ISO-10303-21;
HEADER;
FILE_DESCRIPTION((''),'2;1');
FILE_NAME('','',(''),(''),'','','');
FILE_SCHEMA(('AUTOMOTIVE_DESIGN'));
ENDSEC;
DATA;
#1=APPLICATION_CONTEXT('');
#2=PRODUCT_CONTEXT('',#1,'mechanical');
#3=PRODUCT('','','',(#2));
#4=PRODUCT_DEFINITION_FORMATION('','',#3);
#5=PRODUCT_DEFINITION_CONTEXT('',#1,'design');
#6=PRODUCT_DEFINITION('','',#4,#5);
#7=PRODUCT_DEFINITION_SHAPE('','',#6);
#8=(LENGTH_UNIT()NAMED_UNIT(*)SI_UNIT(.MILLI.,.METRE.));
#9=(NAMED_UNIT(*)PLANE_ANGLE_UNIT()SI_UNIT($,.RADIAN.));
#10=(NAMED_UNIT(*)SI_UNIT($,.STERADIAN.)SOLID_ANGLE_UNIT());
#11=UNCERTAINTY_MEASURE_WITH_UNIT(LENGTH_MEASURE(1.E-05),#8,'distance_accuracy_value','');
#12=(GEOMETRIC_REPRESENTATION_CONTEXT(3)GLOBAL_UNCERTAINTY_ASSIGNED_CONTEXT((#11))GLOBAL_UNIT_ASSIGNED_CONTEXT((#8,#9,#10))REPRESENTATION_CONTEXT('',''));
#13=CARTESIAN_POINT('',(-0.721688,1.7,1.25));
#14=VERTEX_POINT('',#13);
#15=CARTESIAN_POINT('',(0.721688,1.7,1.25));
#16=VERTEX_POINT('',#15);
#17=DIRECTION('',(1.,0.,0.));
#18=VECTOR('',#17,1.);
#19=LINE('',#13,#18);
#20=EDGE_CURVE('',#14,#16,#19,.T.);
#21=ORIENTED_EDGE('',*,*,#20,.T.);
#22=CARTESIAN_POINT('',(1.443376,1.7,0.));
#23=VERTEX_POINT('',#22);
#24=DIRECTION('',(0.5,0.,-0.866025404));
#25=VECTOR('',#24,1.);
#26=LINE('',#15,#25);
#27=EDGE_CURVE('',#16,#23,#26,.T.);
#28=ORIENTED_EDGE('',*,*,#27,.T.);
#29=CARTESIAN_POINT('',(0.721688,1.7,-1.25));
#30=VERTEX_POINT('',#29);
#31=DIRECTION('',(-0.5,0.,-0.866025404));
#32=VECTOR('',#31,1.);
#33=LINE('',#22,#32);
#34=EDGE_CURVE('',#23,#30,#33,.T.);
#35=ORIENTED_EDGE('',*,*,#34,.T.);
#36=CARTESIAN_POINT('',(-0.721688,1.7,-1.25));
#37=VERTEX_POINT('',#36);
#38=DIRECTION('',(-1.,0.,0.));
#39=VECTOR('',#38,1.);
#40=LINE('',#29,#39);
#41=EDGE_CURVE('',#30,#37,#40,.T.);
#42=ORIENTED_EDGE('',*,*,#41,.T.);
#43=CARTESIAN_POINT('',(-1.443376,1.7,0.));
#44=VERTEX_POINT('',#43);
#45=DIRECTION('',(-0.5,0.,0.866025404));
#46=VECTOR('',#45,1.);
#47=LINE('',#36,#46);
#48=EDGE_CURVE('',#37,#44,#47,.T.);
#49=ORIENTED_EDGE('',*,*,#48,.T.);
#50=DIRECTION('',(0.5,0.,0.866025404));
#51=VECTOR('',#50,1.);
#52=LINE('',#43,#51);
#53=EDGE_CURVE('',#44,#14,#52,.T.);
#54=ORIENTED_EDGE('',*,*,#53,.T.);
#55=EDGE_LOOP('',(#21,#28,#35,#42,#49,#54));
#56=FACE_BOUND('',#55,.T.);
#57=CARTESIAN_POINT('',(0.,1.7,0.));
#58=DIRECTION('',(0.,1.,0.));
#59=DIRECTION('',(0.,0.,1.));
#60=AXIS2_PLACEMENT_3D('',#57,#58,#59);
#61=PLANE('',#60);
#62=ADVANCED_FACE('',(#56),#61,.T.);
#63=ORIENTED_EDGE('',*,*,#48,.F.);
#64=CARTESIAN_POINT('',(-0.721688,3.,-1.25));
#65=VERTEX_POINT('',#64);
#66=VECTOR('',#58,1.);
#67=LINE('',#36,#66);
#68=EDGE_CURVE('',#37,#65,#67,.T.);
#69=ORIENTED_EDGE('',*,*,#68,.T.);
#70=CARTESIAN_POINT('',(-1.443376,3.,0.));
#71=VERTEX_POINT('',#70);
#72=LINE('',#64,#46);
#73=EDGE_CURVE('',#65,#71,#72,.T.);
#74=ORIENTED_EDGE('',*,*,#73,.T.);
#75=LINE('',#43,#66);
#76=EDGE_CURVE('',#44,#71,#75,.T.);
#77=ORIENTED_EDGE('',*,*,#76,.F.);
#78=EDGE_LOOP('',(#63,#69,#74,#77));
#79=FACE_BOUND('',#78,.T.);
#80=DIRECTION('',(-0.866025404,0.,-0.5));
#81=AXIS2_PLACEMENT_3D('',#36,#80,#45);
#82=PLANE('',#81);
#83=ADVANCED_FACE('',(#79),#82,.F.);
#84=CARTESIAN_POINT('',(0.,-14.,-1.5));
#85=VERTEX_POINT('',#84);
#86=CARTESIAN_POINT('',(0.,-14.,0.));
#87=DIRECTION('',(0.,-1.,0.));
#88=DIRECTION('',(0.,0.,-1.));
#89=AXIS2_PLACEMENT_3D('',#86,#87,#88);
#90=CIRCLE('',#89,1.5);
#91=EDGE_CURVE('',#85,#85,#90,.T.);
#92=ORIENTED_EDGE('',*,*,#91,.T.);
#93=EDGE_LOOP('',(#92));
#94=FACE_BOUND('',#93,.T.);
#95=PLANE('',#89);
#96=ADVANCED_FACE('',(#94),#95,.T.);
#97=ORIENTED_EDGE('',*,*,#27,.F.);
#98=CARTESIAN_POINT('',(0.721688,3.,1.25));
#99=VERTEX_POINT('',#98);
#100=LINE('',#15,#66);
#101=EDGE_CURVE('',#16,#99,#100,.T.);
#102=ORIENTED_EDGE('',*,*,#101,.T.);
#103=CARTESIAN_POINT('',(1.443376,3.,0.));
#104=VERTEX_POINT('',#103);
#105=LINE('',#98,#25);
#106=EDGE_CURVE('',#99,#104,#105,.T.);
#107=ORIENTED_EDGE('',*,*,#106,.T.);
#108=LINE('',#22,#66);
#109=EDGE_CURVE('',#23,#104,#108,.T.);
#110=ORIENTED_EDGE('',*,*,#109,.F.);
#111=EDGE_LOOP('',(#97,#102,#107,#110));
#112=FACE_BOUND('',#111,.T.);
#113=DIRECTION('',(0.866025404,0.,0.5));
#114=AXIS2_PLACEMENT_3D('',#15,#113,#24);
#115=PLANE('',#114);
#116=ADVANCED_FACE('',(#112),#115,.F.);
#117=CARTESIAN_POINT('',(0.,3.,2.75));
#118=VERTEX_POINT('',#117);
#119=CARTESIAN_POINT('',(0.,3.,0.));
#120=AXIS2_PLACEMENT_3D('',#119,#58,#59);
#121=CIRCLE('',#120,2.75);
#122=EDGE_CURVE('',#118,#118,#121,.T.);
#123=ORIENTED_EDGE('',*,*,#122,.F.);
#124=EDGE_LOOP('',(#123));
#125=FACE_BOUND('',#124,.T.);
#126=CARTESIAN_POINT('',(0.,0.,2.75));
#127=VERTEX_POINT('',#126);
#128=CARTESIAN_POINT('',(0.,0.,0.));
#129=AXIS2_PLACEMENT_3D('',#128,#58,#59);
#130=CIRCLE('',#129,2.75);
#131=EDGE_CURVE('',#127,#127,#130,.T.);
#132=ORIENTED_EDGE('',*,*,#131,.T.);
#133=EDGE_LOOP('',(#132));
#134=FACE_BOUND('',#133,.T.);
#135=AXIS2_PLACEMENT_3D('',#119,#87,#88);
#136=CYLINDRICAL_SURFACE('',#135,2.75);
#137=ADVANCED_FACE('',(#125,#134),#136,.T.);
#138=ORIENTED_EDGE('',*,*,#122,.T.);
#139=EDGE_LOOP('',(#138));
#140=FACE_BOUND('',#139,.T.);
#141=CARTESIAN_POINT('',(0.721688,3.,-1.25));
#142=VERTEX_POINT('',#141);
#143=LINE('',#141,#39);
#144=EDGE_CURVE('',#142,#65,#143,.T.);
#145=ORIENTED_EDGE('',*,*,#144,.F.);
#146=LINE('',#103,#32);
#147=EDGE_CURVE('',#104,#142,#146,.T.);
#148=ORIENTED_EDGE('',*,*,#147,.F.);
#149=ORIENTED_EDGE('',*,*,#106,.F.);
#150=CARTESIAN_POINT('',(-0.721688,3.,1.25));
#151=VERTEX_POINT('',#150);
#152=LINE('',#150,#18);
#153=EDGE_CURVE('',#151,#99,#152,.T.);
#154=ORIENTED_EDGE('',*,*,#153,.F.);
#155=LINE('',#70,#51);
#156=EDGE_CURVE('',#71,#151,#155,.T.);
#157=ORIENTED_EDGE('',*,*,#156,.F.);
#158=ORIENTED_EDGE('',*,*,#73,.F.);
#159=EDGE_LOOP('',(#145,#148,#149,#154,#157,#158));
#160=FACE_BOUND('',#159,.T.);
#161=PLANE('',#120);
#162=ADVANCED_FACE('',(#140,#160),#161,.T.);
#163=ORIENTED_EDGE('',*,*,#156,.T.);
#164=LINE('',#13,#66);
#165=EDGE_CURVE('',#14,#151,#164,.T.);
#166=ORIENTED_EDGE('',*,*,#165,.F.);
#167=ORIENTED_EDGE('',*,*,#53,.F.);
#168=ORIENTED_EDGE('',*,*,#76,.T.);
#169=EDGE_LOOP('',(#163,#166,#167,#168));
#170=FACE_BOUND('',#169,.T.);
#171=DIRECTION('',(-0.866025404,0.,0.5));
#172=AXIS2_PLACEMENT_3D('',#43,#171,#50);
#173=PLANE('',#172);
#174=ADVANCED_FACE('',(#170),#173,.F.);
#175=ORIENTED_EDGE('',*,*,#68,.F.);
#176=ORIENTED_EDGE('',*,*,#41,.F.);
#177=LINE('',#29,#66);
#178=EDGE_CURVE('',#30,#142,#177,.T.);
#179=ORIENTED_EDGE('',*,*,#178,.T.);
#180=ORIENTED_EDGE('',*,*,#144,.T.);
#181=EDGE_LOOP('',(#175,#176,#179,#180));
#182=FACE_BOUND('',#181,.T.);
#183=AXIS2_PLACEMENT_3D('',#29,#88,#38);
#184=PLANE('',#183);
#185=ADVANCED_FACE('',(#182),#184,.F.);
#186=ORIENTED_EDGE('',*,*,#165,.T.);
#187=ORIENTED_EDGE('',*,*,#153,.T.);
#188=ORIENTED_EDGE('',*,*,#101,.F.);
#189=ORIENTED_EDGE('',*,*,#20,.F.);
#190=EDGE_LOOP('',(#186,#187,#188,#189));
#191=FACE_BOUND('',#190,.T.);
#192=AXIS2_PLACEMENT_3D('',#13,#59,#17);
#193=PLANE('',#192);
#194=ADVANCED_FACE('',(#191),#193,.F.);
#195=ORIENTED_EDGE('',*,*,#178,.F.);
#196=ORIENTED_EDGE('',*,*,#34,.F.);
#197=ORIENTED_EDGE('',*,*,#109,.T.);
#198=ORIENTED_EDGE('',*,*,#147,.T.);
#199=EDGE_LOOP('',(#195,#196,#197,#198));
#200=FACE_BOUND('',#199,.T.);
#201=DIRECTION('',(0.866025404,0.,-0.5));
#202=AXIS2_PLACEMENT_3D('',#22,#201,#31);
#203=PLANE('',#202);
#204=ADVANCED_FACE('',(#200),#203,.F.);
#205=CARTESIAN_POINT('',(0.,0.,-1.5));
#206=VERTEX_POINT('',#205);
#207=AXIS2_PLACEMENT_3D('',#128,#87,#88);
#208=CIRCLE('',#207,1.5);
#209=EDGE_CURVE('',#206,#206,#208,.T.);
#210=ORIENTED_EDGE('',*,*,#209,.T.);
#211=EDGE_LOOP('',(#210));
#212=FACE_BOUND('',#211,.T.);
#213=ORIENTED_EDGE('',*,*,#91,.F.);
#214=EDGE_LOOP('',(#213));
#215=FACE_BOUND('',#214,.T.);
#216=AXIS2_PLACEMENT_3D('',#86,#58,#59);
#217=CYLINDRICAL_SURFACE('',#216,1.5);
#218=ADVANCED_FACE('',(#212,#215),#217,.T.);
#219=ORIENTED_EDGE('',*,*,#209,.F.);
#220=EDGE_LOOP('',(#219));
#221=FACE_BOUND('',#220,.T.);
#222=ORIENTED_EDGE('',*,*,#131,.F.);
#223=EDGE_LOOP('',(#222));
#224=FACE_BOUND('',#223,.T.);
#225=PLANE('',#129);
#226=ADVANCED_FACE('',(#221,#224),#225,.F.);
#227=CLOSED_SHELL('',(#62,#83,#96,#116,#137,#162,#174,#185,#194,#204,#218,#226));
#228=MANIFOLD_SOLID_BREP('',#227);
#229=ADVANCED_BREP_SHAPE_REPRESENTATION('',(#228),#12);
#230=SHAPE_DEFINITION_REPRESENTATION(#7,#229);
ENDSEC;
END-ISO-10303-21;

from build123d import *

# Parameters (mm, degrees)
SKETCH_1_R            = 2.75
EXTRUDE_248_DEPTH     = 3
CUT_EXTRUDE_378_DEPTH = 1.3
SKETCH_3_R            = 1.5
EXTRUDE_479_DEPTH     = 14


with BuildPart() as part:
    # 草图1 → Extrude 248 (new body)
    with BuildSketch(Plane(origin=(0, 0, 0), x_dir=(1, 0, 0), z_dir=(0, 1, 0))):
        Circle(SKETCH_1_R)
    extrude(amount=EXTRUDE_248_DEPTH)

    # 草图2 → Cut-Extrude 378 (cut)
    with BuildSketch(Plane(origin=(0, 3, 0), x_dir=(1, 0, 0), z_dir=(0, 1, 0))):
        Polygon((1.443375673, 0), (0.721687836, 1.25), (-0.721687836, 1.25), (-1.443375673, 0), (-0.721687836, -1.25), (0.721687836, -1.25), align=None)
    extrude(amount=-CUT_EXTRUDE_378_DEPTH, mode=Mode.SUBTRACT)

    # 草图3 → Extrude 479 (add)
    with BuildSketch(Plane.XZ):
        Circle(SKETCH_3_R)
    extrude(amount=EXTRUDE_479_DEPTH)


solid = part.part
